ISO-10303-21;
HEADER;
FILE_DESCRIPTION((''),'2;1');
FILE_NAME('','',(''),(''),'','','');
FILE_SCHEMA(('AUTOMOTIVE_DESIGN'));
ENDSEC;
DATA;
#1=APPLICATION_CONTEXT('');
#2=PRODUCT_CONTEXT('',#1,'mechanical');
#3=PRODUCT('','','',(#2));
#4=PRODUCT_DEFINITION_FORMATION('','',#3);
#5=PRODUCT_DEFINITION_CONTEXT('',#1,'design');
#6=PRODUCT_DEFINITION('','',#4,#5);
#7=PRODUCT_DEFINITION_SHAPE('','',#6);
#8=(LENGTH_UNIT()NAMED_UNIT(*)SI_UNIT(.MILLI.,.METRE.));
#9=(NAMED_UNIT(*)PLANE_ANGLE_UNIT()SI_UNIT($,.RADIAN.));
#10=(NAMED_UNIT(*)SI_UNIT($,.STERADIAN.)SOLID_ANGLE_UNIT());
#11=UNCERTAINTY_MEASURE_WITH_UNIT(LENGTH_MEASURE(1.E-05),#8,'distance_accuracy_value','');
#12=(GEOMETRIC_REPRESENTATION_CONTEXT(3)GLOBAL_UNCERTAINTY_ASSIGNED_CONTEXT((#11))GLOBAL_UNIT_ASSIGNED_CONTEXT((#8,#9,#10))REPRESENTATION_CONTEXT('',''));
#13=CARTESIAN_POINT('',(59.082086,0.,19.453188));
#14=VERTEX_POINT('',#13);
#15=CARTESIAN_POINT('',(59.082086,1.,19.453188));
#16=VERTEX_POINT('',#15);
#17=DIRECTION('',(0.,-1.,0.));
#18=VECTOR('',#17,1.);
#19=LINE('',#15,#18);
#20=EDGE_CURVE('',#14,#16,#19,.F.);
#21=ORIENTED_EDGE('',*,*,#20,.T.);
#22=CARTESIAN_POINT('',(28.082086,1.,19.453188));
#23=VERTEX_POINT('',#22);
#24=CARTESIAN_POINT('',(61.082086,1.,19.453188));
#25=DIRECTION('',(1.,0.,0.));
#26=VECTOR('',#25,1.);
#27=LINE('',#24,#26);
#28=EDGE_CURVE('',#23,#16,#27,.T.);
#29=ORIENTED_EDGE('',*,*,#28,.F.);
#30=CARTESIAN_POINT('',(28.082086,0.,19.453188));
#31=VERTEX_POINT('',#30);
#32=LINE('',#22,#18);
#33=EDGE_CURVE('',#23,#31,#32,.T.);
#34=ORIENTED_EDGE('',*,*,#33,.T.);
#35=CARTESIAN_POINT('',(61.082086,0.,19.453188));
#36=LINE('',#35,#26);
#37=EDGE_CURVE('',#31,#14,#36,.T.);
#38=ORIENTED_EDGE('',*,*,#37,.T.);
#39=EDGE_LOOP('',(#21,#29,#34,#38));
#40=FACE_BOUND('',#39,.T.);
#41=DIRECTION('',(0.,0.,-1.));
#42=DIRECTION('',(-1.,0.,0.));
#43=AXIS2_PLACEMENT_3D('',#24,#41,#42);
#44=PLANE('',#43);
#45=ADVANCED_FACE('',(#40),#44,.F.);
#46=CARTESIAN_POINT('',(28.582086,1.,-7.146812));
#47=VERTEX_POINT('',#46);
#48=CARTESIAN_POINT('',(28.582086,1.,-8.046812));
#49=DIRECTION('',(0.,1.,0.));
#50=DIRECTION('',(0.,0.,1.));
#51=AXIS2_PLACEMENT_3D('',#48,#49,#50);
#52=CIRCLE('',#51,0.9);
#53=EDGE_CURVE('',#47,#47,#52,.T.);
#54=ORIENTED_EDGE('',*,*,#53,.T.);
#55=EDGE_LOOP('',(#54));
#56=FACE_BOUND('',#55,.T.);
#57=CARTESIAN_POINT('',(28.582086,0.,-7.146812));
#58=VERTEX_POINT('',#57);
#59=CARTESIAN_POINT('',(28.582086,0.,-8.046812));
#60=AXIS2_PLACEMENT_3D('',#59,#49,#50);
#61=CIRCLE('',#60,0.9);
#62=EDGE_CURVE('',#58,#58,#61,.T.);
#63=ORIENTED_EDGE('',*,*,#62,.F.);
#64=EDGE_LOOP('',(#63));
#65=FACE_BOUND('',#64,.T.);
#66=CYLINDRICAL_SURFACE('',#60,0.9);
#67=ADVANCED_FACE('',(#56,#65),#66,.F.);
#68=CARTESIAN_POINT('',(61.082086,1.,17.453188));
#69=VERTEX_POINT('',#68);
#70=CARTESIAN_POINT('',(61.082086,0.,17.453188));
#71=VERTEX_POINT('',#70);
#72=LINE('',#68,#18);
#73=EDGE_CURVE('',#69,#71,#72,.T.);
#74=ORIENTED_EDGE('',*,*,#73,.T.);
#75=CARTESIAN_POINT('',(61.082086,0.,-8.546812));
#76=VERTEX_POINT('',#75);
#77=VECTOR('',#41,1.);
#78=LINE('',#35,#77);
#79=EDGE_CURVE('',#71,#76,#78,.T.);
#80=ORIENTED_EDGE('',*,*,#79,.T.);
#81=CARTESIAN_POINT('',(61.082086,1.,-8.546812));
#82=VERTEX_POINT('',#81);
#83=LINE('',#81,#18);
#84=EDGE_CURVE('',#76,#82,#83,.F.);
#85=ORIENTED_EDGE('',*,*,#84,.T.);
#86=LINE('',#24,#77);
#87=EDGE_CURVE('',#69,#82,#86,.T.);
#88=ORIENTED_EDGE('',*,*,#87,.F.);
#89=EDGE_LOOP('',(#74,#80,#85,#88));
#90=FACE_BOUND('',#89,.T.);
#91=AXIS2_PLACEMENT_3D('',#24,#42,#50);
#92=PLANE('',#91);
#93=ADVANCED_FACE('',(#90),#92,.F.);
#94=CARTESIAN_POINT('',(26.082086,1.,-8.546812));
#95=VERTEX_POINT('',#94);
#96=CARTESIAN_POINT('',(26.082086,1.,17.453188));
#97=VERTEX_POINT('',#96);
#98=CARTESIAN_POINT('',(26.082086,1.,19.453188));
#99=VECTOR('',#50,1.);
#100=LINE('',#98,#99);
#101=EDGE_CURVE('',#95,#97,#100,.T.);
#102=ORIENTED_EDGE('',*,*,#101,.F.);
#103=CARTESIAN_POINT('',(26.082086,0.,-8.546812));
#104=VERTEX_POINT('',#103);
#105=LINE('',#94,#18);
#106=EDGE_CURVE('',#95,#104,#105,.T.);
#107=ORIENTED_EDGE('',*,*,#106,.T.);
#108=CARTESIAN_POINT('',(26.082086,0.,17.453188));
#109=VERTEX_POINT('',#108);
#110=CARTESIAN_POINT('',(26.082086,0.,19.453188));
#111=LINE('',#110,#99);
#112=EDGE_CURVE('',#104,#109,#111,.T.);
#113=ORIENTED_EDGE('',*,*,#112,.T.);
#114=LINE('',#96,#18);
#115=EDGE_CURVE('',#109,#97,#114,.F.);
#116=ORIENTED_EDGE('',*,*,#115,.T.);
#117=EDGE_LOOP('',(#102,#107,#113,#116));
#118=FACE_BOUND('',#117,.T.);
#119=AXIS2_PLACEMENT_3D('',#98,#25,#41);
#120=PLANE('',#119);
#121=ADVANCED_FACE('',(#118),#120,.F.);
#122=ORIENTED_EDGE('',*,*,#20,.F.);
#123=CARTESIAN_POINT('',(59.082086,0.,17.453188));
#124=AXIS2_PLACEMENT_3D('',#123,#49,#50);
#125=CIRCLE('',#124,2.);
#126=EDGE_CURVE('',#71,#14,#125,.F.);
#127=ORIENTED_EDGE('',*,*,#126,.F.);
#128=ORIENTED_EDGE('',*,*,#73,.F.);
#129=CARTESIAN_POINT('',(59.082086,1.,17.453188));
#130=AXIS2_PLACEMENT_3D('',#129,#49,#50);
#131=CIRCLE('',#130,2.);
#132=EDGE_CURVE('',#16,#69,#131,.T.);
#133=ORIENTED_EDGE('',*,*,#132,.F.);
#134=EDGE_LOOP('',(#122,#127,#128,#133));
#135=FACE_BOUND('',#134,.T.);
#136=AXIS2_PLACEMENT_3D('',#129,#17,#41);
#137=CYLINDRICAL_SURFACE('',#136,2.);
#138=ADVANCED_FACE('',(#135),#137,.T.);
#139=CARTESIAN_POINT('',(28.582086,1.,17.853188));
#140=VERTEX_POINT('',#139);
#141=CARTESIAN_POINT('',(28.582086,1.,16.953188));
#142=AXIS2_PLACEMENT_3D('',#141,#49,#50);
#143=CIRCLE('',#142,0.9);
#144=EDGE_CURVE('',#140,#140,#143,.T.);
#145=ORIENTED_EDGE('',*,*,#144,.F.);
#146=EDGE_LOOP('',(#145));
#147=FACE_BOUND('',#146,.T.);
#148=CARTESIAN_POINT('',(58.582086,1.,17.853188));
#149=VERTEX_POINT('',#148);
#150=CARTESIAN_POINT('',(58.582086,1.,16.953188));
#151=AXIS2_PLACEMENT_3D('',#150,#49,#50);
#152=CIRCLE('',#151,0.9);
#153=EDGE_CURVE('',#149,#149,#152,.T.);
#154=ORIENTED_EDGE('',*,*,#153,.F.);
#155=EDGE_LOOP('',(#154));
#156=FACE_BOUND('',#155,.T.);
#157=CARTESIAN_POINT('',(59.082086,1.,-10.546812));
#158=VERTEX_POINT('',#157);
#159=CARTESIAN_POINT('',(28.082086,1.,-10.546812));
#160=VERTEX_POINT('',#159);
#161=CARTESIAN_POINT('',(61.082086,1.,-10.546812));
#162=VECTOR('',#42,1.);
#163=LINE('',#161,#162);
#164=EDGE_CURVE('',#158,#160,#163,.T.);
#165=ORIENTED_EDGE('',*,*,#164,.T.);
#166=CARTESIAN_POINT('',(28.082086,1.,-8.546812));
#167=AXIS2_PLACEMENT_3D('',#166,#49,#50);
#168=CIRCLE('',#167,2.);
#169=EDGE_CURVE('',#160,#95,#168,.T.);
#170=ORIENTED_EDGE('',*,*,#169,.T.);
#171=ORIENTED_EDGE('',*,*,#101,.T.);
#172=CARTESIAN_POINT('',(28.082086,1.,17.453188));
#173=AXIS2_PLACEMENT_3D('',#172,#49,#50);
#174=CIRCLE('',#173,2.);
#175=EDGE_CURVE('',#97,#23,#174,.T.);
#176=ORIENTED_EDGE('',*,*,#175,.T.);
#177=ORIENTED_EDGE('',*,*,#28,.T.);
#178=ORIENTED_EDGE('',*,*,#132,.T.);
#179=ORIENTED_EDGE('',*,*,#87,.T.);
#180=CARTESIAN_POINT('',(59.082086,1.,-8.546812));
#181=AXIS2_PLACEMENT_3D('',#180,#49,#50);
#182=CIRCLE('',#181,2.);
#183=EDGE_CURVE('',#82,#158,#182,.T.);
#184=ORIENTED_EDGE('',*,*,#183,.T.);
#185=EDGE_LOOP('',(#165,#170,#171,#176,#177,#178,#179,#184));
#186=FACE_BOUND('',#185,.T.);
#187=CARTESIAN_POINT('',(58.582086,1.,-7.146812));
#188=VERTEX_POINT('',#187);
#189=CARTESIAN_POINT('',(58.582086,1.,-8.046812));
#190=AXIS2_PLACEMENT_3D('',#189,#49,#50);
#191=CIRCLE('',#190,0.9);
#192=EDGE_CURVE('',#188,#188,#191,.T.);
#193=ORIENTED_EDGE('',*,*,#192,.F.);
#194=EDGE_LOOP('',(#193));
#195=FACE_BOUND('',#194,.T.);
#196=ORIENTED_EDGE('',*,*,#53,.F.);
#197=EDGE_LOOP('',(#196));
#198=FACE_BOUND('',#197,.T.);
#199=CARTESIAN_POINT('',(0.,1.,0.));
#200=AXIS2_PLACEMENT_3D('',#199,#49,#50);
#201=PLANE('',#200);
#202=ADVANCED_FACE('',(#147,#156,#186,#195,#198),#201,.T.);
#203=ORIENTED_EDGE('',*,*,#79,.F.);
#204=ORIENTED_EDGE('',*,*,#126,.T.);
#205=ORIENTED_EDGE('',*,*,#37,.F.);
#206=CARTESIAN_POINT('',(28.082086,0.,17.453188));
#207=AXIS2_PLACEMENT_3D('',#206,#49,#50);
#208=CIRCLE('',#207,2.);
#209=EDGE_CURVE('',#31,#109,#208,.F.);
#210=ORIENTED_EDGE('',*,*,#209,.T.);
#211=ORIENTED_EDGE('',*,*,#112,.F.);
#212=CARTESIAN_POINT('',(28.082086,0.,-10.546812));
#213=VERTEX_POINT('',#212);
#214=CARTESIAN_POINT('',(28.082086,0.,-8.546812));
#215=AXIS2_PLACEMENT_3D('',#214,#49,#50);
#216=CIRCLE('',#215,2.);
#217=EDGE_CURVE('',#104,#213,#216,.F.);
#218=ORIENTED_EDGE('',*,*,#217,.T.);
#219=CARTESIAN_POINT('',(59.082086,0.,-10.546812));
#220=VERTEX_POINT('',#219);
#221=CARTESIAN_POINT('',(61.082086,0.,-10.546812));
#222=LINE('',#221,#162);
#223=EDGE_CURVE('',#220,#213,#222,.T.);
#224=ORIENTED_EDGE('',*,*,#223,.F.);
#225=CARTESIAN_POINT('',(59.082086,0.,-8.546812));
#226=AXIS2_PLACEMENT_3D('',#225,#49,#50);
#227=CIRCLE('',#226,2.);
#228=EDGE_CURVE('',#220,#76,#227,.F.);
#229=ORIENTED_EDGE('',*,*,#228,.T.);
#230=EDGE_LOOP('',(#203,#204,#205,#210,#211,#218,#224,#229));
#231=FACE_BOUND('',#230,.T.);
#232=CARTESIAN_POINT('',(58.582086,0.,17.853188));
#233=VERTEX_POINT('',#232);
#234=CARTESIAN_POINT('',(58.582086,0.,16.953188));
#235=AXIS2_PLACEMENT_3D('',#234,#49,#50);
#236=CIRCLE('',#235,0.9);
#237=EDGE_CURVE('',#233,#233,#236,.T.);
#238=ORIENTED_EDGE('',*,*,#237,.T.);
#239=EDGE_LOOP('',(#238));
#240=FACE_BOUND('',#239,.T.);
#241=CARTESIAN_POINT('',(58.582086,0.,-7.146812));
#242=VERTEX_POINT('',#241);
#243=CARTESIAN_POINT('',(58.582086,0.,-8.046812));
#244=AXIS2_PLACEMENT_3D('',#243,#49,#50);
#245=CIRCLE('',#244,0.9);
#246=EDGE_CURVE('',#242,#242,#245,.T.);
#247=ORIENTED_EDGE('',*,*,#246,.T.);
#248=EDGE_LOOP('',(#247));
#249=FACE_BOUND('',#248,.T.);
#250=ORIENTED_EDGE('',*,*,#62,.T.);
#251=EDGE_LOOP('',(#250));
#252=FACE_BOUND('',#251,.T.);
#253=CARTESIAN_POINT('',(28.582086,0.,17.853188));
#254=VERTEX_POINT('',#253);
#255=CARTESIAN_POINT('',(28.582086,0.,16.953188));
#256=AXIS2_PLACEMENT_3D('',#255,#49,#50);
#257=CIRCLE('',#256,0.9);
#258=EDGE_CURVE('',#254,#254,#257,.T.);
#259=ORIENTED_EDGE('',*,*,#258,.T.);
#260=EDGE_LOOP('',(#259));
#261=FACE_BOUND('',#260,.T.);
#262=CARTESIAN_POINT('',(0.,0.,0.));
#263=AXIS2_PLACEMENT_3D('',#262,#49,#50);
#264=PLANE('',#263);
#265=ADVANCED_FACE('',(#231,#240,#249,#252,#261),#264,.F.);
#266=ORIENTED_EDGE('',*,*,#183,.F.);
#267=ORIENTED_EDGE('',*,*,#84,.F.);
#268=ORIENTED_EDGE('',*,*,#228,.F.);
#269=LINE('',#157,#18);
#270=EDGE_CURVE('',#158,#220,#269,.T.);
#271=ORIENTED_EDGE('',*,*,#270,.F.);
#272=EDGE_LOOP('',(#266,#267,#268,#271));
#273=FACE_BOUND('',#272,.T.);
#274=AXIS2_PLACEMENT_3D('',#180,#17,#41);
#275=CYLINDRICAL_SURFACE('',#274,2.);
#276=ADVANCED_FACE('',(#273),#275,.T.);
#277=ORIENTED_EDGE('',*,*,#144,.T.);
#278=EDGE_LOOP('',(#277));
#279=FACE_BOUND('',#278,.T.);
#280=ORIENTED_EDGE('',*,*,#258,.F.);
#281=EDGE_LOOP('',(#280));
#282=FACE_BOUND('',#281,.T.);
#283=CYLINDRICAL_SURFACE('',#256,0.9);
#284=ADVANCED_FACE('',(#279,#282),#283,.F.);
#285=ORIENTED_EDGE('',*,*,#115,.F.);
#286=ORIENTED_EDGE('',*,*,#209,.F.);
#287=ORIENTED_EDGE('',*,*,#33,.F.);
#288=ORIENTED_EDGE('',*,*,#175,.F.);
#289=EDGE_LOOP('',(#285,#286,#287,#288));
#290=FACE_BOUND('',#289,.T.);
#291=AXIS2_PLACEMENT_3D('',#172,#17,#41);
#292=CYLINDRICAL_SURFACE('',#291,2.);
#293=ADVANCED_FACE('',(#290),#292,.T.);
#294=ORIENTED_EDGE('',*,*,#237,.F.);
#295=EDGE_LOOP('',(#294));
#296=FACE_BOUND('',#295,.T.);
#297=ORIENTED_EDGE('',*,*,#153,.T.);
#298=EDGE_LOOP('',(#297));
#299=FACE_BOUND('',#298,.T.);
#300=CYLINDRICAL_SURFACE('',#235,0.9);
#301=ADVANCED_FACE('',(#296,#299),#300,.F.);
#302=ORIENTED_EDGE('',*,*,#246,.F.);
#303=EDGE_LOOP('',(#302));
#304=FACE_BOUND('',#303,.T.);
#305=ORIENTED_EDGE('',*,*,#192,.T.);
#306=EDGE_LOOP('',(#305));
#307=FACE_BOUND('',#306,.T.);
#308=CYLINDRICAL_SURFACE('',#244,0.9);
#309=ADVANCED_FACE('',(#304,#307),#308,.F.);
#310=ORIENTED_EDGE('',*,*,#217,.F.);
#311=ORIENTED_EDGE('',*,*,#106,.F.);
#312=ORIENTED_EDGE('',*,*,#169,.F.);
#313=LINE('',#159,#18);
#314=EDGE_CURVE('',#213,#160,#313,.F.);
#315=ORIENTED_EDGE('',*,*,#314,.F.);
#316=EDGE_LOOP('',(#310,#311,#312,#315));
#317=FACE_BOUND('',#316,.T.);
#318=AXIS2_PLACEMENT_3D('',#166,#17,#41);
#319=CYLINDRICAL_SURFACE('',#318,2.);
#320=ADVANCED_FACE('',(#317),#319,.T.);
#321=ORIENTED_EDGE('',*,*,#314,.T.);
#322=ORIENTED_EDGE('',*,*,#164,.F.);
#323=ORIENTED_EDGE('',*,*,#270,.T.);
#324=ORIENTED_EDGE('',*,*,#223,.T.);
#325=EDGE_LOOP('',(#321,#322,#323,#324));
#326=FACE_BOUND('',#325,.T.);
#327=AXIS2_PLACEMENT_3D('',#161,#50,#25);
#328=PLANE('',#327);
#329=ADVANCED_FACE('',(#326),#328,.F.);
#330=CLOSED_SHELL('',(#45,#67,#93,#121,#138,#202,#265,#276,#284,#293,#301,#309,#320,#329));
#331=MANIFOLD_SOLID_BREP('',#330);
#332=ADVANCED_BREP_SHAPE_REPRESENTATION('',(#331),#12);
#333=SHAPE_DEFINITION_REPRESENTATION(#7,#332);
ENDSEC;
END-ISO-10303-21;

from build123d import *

# Parameters (mm, degrees)
SKETCH1_W           = 35
SKETCH1_H           = 30
BOSS_EXTRUDE1_DEPTH = 1
FILLET1_R           = 2
SKETCH2_R           = 0.9
CUT_EXTRUDE1_DEPTH  = 1


with BuildPart() as part:
    # Sketch1 → Boss-Extrude1 (new body)
    with BuildSketch(Plane(origin=(0, 0, 0), x_dir=(1, 0, 0), z_dir=(0, 1, 0))):
        with Locations((43.582085572, -4.45318849)):
            Rectangle(SKETCH1_W, SKETCH1_H)
    extrude(amount=BOSS_EXTRUDE1_DEPTH)

    # Fillet1
    fillet1_edges = [part.edges().sort_by_distance(p)[0] for p in [
        (61.082085572, 0.5, 19.45318849),
        (26.082085572, 0.5, 19.45318849),
        (26.082085572, 0.5, -10.54681151),
        (61.082085572, 0.5, -10.54681151),
    ]]
    fillet(fillet1_edges, radius=FILLET1_R)

    # Sketch2 → Cut-Extrude1 (cut)
    with BuildSketch(Plane(origin=(0, 1, 0), x_dir=(1, 0, 0), z_dir=(0, 1, 0))):
        with Locations(Location((58.582085572, -16.95318849, 0), (0, 0, 270))):
            Circle(SKETCH2_R)
        with Locations(Location((28.582085572, -16.95318849, 0), (0, 0, 270))):
            Circle(SKETCH2_R)
        with Locations(Location((28.582085572, 8.04681151, 0), (0, 0, 270))):
            Circle(SKETCH2_R)
        with Locations(Location((58.582085572, 8.04681151, 0), (0, 0, 270))):
            Circle(SKETCH2_R)
    extrude(amount=-CUT_EXTRUDE1_DEPTH, mode=Mode.SUBTRACT)


solid = part.part
